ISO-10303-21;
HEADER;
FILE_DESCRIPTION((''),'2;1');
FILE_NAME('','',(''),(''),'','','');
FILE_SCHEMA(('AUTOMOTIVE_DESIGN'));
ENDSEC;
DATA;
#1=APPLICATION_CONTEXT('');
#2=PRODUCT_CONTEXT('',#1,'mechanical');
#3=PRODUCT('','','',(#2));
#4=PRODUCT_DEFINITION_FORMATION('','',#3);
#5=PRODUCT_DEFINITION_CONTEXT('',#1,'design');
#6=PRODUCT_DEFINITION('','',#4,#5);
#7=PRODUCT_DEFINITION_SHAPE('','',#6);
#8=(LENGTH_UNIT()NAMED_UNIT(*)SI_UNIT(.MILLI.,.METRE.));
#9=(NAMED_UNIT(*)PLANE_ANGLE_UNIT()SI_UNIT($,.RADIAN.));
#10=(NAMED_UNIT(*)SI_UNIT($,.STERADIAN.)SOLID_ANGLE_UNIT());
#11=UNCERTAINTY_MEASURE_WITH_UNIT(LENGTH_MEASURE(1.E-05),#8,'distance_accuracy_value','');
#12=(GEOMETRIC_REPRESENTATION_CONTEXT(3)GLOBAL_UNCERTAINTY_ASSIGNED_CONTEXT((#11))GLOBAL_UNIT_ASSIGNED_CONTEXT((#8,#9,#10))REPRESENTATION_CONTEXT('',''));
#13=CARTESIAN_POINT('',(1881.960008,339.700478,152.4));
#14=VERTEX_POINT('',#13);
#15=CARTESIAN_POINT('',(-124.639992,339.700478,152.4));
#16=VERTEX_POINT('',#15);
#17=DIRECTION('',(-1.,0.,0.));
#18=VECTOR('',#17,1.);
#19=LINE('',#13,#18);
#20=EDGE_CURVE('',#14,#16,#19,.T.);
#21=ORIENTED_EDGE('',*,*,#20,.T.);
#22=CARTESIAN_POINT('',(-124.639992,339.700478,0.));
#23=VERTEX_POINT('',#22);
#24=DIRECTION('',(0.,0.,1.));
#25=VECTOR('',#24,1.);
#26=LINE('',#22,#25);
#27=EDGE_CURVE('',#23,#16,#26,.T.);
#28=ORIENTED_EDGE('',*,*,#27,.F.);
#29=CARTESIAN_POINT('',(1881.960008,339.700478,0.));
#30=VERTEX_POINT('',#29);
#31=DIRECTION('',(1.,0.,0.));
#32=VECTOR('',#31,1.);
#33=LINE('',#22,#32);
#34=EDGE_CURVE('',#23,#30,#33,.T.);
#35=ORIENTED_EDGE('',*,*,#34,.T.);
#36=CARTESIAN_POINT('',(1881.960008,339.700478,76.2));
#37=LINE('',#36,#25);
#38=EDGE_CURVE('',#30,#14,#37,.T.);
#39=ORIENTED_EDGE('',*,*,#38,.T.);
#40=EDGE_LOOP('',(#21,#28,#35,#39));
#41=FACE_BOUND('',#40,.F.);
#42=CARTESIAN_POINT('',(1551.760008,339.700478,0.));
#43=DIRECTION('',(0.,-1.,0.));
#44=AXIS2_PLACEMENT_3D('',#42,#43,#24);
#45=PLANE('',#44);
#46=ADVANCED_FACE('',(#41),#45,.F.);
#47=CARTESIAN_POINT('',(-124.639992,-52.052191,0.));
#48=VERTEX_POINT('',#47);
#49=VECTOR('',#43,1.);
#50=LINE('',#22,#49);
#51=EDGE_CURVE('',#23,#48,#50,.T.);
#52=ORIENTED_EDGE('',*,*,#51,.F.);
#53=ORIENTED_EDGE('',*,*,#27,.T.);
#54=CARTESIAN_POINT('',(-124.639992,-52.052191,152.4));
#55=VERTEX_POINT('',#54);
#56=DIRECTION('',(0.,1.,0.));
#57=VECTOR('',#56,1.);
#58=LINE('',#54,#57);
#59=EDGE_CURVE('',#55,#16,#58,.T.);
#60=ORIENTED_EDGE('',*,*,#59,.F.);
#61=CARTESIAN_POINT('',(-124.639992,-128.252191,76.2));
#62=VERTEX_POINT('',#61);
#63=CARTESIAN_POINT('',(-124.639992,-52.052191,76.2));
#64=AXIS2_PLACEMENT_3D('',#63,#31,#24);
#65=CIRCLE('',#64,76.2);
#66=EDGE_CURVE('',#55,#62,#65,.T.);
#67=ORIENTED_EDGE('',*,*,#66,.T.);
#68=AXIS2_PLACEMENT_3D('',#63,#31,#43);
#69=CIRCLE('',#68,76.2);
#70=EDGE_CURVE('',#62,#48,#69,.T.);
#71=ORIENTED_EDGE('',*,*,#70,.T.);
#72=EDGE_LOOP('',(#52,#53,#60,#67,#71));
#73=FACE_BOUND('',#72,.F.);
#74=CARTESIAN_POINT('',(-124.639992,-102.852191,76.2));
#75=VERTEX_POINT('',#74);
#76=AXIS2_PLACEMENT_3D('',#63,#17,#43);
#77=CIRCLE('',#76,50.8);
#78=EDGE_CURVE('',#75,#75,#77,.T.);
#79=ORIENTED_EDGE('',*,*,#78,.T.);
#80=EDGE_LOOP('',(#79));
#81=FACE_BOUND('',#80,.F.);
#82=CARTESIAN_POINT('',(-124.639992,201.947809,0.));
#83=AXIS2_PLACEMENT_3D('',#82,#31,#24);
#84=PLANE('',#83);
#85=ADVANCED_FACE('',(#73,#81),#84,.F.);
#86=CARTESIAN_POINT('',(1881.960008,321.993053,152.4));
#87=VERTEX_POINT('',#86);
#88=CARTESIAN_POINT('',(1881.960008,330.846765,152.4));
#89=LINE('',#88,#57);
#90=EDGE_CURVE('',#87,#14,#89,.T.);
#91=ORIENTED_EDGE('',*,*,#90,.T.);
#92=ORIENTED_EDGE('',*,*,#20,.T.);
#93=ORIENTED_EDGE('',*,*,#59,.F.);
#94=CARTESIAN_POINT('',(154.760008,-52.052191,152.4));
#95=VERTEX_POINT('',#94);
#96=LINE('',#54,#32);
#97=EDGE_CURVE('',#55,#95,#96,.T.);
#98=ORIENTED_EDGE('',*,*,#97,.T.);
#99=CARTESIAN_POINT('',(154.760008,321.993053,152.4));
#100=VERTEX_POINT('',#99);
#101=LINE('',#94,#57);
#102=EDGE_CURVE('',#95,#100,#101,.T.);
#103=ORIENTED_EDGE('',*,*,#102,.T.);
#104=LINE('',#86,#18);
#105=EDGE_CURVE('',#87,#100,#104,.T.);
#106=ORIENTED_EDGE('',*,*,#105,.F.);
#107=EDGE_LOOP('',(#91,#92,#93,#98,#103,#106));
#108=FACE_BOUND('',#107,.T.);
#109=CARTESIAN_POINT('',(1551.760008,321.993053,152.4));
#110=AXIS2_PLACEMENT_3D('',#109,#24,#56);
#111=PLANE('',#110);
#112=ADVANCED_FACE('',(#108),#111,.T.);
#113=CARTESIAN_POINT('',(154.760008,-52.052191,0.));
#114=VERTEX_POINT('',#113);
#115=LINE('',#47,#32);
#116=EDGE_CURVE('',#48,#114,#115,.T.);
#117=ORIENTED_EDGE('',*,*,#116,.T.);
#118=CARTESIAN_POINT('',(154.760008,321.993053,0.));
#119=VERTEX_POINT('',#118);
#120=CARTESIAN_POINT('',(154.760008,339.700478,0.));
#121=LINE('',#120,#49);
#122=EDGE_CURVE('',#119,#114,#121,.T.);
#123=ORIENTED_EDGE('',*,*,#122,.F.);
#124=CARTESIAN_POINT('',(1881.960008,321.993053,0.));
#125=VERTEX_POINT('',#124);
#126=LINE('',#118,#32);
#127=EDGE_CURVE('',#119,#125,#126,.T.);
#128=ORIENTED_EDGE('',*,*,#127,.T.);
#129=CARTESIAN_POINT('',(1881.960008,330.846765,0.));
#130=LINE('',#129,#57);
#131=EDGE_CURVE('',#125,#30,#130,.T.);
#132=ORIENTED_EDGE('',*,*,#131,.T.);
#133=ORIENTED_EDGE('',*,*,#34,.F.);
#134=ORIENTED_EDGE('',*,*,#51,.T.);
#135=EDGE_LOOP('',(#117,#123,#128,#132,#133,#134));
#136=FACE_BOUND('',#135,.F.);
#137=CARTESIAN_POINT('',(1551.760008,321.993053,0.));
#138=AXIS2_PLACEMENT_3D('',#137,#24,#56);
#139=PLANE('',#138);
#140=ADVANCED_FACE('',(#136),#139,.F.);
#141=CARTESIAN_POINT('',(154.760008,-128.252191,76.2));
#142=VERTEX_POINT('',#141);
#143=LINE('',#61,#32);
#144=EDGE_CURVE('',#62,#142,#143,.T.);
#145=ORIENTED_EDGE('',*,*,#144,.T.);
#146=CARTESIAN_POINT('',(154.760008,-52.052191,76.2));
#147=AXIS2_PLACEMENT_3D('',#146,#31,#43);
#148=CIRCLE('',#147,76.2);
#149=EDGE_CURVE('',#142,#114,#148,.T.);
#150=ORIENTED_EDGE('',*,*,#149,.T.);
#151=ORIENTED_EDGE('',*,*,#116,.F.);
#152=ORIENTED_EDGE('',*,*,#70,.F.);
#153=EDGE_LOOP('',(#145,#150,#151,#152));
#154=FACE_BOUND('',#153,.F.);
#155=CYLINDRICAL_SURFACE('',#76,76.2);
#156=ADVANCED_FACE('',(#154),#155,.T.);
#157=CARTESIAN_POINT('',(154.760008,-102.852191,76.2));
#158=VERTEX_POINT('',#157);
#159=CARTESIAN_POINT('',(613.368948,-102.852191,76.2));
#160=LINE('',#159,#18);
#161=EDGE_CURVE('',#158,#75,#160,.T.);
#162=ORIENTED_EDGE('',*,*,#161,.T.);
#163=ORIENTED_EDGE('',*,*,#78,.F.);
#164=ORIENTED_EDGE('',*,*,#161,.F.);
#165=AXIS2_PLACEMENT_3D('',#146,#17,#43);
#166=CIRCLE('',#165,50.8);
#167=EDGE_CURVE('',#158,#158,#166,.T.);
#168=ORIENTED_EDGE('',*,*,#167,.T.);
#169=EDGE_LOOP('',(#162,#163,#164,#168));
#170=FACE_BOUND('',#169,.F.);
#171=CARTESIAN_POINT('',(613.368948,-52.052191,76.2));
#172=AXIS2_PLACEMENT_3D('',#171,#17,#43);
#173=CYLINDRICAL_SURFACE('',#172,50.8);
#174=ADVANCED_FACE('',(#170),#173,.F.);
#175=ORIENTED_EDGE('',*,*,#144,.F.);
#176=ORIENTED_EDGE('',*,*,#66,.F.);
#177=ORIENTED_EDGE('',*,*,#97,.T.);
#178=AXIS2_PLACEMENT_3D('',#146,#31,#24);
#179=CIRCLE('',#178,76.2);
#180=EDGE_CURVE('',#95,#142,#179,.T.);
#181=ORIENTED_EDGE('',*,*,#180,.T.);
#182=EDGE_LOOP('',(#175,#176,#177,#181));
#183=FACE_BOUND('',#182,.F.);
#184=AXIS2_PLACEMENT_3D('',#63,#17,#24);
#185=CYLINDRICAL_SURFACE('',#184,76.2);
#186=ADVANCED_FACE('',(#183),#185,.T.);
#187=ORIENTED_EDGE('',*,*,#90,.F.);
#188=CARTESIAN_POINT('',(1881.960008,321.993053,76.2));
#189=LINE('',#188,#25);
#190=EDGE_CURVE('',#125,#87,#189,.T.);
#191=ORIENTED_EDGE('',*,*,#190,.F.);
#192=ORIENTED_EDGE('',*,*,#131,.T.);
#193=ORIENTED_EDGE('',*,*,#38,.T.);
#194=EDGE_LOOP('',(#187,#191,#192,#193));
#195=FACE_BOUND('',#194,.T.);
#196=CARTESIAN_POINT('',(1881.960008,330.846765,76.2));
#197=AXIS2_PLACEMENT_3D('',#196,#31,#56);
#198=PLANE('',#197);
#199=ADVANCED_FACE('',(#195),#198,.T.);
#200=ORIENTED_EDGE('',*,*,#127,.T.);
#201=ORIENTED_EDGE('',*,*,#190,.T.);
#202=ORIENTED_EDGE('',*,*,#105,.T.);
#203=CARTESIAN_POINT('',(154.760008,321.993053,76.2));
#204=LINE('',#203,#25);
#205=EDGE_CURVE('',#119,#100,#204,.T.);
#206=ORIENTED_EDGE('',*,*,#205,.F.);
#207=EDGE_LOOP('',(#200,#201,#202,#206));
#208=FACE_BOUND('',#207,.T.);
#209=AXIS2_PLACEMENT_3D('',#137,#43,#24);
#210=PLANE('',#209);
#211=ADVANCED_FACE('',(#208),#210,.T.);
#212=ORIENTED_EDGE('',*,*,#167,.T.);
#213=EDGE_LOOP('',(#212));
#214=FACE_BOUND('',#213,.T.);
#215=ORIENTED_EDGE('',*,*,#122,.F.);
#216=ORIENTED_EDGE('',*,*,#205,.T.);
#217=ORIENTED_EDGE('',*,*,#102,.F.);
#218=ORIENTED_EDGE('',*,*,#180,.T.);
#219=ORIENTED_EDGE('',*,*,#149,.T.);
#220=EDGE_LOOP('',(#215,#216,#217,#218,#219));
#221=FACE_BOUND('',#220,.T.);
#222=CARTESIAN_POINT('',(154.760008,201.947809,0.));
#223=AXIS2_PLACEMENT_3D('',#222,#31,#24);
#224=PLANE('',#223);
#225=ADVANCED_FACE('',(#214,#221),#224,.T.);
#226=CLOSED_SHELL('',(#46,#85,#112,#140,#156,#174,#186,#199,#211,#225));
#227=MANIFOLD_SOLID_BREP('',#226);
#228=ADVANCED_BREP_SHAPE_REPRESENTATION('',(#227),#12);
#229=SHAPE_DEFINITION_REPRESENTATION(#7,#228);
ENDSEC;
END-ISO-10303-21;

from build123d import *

# Parameters (mm, degrees)
F0_W      = 279.4
F0_H      = 330.2
F1_DEPTH  = 152.4
F3_D      = 101.6
F5_DEPTH  = 279.4
F7_DEPTH  = 137.7526689321
F8_W      = 17.7074246799
F8_H      = 152.4
F9_DEPTH  = 1397
F11_DEPTH = 330.2


with BuildPart() as f1:
    # F0 (on Top) → F1 (new body)
    with BuildSketch(Plane.XY):
        with Locations((15.0600075722, 36.8478087073)):
            Rectangle(F0_W, F0_H)
    extrude(amount=F1_DEPTH)

    # F3 (through all)
    with Locations(Plane.YZ.offset(154.7600075722)):
        with Locations((-52.0521912927, 76.2)):
            Hole(F3_D / 2)

    # F4 (on face) → F5 (cut)
    with BuildSketch(Plane(origin=(-124.6399924278, 0, 0), x_dir=(0, -1, 0), z_dir=(-1, 0, 0))):
        with BuildLine():
            ThreePointArc((128.2521912927, 76.2), (105.9337280192, 22.3184632736), (52.0521912927, 0))
            Line((52.0521912927, 0), (65.0011226535, 0))
            Line((65.0011226535, 0), (128.2521912927, 0))
            Line((128.2521912927, 0), (128.2521912927, 76.2))
        make_face()
        with BuildLine():
            ThreePointArc((52.0521912927, 152.4), (105.9337280192, 130.0815367264), (128.2521912927, 76.2))
            Line((128.2521912927, 76.2), (128.2521912927, 152.4))
            Line((128.2521912927, 152.4), (65.0011226535, 152.4))
            Line((65.0011226535, 152.4), (52.0521912927, 152.4))
        make_face()
    extrude(amount=-F5_DEPTH, mode=Mode.SUBTRACT)

    # F7 (add): a face of the model
    f7_faces = [f1.faces().sort_by_distance(p)[0] for p in [
        (15.0600075722, 201.9478087073, 76.2),
    ]]
    extrude(f7_faces, amount=F7_DEPTH)

    # F8 (on face) → F9 (join)
    with BuildSketch(Plane.YZ.offset(154.7600075722)):
        with Locations((330.8467652994, 76.2)):
            Rectangle(F8_W, F8_H)
    extrude(amount=F9_DEPTH)

    # F11 (add): a face of the model
    f11_faces = [f1.faces().sort_by_distance(p)[0] for p in [
        (1551.7600075722, 330.8467652994, 76.2),
    ]]
    extrude(f11_faces, amount=F11_DEPTH)


solid = f1.part
